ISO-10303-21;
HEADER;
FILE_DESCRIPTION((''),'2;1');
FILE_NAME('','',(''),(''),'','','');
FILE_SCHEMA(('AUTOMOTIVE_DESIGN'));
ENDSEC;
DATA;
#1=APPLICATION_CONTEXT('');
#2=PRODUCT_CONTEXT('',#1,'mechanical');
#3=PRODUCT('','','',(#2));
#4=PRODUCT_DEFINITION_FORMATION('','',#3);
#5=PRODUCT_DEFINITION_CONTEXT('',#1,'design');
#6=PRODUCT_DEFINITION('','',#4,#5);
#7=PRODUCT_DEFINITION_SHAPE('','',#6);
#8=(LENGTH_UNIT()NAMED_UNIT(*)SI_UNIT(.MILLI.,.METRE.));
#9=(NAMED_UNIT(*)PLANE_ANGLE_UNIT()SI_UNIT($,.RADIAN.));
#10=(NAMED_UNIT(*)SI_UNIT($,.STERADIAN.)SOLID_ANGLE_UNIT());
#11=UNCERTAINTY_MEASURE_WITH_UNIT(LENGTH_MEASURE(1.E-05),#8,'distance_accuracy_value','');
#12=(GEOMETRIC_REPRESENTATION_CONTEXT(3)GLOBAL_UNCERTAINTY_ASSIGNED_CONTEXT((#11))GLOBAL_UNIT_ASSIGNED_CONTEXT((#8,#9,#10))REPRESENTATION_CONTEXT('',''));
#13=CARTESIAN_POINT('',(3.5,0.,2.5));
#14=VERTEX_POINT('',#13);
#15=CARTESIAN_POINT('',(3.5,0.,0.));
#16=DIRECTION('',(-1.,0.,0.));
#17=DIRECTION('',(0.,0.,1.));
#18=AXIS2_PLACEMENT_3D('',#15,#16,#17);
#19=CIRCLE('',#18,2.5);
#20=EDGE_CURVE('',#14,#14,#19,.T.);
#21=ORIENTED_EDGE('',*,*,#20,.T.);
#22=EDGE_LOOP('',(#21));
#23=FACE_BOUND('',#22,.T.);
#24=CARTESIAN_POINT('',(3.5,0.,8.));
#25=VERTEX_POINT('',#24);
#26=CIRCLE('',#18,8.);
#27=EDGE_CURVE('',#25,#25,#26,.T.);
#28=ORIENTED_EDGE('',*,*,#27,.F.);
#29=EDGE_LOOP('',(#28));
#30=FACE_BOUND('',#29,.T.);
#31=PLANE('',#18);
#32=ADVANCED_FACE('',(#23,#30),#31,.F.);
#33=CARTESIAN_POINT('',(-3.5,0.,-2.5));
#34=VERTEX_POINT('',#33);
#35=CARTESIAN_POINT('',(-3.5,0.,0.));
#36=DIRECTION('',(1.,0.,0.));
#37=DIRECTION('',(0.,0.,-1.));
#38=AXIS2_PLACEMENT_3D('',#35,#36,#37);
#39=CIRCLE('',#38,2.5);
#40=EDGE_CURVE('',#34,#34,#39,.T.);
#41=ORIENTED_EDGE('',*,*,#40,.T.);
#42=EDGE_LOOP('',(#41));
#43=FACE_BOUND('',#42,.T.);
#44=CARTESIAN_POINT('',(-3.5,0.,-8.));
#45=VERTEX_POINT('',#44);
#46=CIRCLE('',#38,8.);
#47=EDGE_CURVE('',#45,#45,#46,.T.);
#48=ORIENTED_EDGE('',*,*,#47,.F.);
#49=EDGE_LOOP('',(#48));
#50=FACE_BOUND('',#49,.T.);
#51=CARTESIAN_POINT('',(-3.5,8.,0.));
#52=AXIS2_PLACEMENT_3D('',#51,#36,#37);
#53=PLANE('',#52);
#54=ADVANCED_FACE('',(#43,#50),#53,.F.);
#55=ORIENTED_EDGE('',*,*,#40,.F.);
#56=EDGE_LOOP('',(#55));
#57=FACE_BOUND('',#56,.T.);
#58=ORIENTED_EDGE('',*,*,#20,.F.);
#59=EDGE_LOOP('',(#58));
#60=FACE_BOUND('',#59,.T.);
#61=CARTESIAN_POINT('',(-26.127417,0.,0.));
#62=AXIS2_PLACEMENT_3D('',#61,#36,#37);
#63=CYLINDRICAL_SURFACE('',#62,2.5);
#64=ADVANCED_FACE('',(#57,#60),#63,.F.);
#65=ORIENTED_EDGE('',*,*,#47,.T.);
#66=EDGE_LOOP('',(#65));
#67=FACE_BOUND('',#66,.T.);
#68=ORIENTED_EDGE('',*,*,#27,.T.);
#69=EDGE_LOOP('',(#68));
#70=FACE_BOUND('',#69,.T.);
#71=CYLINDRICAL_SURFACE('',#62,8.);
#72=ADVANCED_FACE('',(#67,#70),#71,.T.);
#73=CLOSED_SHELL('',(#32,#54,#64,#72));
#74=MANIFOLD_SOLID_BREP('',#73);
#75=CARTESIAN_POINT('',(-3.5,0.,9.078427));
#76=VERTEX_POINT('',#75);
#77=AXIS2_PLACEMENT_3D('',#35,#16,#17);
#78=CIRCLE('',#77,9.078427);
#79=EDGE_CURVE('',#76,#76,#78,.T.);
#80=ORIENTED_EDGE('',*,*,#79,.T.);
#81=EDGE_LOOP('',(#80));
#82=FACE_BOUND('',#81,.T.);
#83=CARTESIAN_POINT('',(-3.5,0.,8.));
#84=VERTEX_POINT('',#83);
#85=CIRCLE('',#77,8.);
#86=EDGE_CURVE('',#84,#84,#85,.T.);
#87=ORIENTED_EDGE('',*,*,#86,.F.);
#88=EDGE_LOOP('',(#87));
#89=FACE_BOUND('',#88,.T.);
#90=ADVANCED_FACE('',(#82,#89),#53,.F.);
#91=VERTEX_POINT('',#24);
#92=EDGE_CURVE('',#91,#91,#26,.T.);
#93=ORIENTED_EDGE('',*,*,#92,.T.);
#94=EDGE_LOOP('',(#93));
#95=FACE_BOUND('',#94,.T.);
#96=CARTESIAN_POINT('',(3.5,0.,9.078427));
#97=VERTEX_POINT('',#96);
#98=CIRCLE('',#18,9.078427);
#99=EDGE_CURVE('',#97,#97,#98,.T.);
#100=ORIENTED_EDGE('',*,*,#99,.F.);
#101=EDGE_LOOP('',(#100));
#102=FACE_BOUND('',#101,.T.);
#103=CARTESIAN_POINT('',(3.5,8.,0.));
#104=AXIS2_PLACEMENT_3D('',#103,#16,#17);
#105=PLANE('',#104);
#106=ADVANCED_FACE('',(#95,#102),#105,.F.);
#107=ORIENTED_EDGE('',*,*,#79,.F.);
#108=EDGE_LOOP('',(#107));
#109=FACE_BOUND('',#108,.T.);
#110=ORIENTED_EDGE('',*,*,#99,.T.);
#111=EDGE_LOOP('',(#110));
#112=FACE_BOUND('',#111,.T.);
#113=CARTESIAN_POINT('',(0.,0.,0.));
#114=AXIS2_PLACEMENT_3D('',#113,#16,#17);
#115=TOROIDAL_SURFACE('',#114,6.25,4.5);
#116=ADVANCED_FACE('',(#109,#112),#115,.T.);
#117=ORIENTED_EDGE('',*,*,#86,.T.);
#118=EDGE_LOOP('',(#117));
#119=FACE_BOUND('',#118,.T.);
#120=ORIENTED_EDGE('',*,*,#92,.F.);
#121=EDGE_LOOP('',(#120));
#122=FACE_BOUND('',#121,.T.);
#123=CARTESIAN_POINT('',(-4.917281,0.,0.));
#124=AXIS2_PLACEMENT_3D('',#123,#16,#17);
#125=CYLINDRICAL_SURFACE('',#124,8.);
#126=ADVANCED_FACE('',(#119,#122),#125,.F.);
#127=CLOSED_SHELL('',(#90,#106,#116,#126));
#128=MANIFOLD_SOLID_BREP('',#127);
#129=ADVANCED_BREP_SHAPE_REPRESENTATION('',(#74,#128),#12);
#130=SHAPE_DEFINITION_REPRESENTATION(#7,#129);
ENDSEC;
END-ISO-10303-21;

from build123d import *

# Parameters (mm, degrees)
EXTRUDE_START   = 3.5
SKETCH_3_R      = 8
SKETCH_3_R_2    = 2.5
EXTRUDE_1_DEPTH = 7


with BuildPart() as part:
    # Эскиз2 → Повернуть1 (revolve)
    with BuildSketch(Plane.XY, mode=Mode.PRIVATE) as revolve_1_sk:
        with BuildLine():
            Line((3.5, 8), (-3.5, 8))
            Line((-3.5, 8), (-3.5, 9.078427125))
            ThreePointArc((-3.5, 9.078427125), (0, 10.75), (3.5, 9.078427125))
            Line((3.5, 9.078427125), (3.5, 8))
        make_face()
    revolve(revolve_1_sk.sketch.rotate(Axis((-4.9172806, 0, 0), (1, 0, 0)), 90), axis=Axis((-4.9172806, 0, 0), (1, 0, 0)))


with BuildPart() as body_2:
    # Эскиз3 → Бобышка-Вытянуть1 (new body)
    with BuildSketch(Plane(origin=(0, 0, 0), x_dir=(0, 0, -1), z_dir=(1, 0, 0)).offset(EXTRUDE_START)):
        Circle(SKETCH_3_R)
        Circle(SKETCH_3_R_2, mode=Mode.SUBTRACT)
    extrude(amount=-EXTRUDE_1_DEPTH)


solid = Compound([part.part, body_2.part])
